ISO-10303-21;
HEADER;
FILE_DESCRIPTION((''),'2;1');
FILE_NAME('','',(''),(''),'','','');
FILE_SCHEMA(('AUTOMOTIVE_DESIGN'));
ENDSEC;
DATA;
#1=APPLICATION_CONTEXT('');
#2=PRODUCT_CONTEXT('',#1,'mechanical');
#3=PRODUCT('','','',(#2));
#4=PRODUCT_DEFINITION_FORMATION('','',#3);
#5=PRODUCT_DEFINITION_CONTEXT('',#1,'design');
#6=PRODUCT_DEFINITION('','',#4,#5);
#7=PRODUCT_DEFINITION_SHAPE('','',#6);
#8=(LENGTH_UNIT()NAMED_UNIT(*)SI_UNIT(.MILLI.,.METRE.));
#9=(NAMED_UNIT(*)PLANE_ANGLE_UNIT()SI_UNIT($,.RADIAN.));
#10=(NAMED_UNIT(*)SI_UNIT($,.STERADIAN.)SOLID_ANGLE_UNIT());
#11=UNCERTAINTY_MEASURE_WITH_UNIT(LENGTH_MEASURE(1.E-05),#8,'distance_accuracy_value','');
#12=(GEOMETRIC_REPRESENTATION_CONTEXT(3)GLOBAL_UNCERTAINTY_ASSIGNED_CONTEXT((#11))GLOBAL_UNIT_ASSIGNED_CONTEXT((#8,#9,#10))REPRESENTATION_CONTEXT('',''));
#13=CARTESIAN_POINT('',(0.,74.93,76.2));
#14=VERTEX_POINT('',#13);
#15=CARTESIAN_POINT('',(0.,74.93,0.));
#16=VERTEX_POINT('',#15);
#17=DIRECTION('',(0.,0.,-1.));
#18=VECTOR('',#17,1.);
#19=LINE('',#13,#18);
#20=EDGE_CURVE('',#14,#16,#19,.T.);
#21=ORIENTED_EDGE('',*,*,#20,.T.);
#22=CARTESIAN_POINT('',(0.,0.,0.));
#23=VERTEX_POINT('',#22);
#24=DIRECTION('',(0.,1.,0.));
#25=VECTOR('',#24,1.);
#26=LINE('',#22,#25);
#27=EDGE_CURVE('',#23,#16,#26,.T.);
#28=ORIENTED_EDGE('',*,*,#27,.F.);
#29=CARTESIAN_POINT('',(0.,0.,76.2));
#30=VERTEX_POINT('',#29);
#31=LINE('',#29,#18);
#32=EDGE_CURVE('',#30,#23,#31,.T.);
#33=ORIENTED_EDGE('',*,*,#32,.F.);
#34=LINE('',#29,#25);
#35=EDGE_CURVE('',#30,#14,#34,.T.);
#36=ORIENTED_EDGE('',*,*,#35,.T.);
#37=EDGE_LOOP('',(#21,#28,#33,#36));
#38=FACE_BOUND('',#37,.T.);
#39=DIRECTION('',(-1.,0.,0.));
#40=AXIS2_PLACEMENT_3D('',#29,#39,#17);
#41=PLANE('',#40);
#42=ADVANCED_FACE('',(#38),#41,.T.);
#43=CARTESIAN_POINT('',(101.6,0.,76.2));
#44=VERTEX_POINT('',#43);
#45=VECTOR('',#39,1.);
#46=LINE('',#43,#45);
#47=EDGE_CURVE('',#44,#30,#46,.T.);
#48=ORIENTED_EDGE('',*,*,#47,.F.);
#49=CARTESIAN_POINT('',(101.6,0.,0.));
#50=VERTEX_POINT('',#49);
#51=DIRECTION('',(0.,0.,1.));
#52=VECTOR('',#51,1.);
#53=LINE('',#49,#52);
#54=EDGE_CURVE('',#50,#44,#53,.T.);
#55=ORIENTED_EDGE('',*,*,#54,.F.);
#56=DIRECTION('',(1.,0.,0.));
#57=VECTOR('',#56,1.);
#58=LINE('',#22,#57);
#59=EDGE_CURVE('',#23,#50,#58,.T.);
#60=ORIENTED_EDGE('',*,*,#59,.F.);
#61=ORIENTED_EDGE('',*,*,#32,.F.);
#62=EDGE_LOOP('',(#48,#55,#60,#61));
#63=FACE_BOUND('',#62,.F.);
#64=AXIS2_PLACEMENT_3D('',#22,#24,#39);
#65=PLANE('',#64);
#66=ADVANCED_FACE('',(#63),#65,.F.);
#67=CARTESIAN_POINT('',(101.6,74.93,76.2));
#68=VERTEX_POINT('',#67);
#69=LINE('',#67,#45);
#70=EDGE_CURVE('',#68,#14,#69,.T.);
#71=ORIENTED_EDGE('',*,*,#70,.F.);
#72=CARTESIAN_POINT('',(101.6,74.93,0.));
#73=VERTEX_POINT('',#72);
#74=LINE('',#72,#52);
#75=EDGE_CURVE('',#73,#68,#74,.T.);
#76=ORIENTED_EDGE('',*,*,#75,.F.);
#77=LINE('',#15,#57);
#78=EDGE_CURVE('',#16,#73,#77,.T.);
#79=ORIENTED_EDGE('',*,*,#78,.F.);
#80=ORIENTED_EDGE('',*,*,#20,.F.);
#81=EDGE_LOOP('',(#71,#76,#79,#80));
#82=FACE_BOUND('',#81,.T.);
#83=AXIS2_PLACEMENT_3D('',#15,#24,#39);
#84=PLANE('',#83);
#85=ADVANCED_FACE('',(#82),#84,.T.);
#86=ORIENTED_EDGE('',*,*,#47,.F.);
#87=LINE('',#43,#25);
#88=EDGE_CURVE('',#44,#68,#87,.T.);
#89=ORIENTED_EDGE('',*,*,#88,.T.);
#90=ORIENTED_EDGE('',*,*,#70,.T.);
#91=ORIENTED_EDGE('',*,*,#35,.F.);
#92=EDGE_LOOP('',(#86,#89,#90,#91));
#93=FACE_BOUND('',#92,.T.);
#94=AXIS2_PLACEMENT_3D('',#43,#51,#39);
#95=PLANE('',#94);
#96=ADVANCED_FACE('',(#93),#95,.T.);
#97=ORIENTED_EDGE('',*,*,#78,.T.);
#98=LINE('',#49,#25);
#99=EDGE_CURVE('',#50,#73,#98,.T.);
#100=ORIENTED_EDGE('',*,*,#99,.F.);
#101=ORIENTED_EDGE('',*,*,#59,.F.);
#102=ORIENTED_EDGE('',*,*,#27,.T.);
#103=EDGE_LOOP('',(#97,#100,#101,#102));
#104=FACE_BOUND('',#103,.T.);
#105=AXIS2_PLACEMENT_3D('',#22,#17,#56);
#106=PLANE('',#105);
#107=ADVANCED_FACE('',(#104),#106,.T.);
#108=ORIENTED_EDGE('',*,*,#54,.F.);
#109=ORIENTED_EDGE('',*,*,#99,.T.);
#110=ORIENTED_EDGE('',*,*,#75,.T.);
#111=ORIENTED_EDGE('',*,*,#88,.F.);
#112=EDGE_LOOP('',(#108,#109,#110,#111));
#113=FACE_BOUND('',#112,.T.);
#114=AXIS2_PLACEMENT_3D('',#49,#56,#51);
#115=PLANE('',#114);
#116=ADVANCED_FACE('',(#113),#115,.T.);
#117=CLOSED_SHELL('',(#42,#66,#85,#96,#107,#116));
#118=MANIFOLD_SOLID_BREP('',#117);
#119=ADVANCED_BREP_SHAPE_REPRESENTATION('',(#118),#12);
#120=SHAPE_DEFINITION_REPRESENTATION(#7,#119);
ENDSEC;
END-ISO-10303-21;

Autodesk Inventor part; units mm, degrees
ref_plane "YZ Plane" through (0, 0, 0) normal (1, 0, 0) x (0, 1, 0)
ref_plane "XZ Plane" through (0, 0, 0) normal (0, 1, 0) x (-1, 0, 0)
ref_plane "XY Plane" through (0, 0, 0) normal (0, 0, 1) x (1, 0, 0)
sketch "Sketch1" plane through (0, 0, 0) normal (0, 1, 0) x (-1, 0, 0)
  line L0 (0, 0) -> (-101.6, 0)
  line L1 (-101.6, 0) -> (-101.6, 76.2)
  line L2 (-101.6, 76.2) -> (0, 76.2)
  line L3 (0, 76.2) -> (0, 0)
  dimension "d0" = 101.6
  dimension "d1" = 76.2
extrude "Extrusion1" add sketch "Sketch1" along normal blind 74.93
properties part number "UMD Standin"
